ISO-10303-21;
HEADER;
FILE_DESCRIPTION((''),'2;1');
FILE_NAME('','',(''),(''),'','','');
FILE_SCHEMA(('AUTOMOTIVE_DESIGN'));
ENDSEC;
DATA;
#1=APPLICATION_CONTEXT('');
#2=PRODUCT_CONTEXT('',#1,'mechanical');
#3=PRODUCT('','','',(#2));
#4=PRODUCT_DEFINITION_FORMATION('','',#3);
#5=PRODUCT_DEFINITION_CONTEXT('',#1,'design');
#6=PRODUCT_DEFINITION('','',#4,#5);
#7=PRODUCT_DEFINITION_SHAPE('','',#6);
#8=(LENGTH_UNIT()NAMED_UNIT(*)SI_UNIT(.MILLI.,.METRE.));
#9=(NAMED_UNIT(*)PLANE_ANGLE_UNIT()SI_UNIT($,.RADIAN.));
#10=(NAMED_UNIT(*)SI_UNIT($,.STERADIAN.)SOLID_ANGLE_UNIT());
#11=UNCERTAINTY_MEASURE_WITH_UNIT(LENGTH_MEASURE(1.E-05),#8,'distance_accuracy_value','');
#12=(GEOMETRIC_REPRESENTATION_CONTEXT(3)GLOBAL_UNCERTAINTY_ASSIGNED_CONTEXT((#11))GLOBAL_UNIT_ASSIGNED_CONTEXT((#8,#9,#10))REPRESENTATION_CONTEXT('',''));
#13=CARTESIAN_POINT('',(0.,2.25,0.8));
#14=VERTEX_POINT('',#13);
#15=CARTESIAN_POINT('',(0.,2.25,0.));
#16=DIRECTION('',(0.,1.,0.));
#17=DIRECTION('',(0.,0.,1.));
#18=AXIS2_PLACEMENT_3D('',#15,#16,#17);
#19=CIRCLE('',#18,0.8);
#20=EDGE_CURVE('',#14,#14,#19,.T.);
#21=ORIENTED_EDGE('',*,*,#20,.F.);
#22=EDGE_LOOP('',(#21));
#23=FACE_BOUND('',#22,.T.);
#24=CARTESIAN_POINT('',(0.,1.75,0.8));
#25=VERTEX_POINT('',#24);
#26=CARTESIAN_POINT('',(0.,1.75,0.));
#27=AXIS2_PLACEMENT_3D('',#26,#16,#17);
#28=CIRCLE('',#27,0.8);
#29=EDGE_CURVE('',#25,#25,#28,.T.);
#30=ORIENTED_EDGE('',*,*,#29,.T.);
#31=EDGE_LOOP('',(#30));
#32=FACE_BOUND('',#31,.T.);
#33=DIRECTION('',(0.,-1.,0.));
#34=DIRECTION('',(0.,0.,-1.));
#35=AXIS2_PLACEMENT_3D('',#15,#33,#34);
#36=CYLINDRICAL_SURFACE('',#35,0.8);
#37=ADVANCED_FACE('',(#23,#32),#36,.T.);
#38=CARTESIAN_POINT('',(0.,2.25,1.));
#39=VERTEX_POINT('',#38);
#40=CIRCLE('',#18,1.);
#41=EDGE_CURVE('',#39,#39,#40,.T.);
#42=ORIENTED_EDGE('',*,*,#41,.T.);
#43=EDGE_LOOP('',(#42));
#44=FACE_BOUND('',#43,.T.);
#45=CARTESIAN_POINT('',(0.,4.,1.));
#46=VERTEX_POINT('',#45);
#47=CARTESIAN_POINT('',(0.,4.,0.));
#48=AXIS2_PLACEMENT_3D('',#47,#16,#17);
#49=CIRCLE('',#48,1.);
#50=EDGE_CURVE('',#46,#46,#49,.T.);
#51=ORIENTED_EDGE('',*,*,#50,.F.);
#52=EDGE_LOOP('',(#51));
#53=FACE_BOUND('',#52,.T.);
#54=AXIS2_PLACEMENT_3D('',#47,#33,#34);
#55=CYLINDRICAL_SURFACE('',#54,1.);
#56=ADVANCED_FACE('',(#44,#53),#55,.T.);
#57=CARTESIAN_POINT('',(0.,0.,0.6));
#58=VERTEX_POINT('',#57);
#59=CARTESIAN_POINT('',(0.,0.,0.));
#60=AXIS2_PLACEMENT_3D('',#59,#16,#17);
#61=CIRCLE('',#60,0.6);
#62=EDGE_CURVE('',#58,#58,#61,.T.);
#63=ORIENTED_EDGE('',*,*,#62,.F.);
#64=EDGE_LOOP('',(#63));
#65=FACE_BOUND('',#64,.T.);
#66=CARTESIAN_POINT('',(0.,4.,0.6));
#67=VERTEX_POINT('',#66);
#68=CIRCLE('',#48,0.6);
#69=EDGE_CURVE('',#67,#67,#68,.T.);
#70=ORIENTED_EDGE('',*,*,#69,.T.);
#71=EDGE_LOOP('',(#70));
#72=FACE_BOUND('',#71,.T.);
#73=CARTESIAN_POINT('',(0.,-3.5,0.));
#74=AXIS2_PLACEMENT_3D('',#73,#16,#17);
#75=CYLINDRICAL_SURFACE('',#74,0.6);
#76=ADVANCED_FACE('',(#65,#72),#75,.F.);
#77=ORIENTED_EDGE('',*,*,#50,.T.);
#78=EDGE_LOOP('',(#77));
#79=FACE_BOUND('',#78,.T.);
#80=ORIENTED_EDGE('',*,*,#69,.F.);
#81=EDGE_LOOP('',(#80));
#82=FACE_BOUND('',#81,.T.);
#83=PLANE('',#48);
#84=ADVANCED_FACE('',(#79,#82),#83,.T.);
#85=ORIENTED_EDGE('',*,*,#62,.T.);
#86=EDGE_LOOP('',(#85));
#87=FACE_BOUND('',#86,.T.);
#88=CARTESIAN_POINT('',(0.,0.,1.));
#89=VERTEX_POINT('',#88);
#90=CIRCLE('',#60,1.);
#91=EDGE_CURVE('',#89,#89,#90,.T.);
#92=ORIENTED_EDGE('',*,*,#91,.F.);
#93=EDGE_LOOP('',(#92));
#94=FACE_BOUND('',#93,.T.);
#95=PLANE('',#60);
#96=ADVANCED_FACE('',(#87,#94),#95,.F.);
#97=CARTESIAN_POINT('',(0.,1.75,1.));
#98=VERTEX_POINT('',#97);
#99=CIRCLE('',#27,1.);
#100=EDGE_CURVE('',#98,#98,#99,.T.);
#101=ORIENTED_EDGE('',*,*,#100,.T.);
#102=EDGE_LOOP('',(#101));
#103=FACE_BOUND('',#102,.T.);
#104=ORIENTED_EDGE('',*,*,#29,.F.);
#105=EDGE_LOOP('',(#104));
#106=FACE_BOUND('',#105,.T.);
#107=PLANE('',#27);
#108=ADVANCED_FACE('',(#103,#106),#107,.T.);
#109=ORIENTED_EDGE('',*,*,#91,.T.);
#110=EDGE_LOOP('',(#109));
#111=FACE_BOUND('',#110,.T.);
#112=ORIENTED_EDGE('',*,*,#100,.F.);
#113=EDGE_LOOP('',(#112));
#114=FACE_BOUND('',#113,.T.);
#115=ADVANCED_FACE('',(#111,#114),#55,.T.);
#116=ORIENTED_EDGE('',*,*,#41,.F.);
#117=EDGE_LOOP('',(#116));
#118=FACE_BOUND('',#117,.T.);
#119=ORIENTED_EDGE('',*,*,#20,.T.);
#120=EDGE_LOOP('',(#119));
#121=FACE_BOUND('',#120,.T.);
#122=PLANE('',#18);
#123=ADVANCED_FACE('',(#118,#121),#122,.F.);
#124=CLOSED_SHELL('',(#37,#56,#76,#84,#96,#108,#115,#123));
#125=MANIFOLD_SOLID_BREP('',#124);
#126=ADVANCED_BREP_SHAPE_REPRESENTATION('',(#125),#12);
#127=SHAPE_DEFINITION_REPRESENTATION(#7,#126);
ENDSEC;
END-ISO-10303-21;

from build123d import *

# Parameters (mm, degrees)
SKETCH2_R               = 1
BOSS_EXTRUDE1_DEPTH     = 4
CUT_EXTRUDE1_DEPTH      = 0.25
CUT_EXTRUDE1_DEPTH_BACK = 0.25
SKETCH4_OUTSIDE_W       = 4.98
SKETCH4_OUTSIDE_H       = 4.98
SKETCH4_OUTSIDE_R       = 0.8
SKETCH5_R               = 0.6
CUT_EXTRUDE2_DEPTH      = 7.5


with BuildPart() as part:
    # Sketch2 → Boss-Extrude1 (new body)
    with BuildSketch(Plane(origin=(0, 0, 0), x_dir=(1, 0, 0), z_dir=(0, 1, 0))):
        with Locations(Location((0, 0, 0), (0, 0, 270))):
            Circle(SKETCH2_R)
    extrude(amount=BOSS_EXTRUDE1_DEPTH)

    # Sketch4 outside → Cut-Extrude1 (cut, two sides: drawn at the far end of the back side and taken through both)
    with BuildSketch(Plane(origin=(0, 2, 0), x_dir=(1, 0, 0), z_dir=(0, 1, 0)).offset(-CUT_EXTRUDE1_DEPTH_BACK)):
        Rectangle(SKETCH4_OUTSIDE_W, SKETCH4_OUTSIDE_H)
        with Locations(Location((0, 0, 0), (0, 0, 270))):
            Circle(SKETCH4_OUTSIDE_R, mode=Mode.SUBTRACT)
    extrude(amount=CUT_EXTRUDE1_DEPTH + CUT_EXTRUDE1_DEPTH_BACK, mode=Mode.SUBTRACT)

    # Sketch5 → Cut-Extrude2 (cut)
    with BuildSketch(Plane(origin=(0, 4, 0), x_dir=(1, 0, 0), z_dir=(0, 1, 0))):
        with Locations(Location((0, 0, 0), (0, 0, 270))):
            Circle(SKETCH5_R)
    extrude(amount=-CUT_EXTRUDE2_DEPTH, mode=Mode.SUBTRACT)


solid = part.part
